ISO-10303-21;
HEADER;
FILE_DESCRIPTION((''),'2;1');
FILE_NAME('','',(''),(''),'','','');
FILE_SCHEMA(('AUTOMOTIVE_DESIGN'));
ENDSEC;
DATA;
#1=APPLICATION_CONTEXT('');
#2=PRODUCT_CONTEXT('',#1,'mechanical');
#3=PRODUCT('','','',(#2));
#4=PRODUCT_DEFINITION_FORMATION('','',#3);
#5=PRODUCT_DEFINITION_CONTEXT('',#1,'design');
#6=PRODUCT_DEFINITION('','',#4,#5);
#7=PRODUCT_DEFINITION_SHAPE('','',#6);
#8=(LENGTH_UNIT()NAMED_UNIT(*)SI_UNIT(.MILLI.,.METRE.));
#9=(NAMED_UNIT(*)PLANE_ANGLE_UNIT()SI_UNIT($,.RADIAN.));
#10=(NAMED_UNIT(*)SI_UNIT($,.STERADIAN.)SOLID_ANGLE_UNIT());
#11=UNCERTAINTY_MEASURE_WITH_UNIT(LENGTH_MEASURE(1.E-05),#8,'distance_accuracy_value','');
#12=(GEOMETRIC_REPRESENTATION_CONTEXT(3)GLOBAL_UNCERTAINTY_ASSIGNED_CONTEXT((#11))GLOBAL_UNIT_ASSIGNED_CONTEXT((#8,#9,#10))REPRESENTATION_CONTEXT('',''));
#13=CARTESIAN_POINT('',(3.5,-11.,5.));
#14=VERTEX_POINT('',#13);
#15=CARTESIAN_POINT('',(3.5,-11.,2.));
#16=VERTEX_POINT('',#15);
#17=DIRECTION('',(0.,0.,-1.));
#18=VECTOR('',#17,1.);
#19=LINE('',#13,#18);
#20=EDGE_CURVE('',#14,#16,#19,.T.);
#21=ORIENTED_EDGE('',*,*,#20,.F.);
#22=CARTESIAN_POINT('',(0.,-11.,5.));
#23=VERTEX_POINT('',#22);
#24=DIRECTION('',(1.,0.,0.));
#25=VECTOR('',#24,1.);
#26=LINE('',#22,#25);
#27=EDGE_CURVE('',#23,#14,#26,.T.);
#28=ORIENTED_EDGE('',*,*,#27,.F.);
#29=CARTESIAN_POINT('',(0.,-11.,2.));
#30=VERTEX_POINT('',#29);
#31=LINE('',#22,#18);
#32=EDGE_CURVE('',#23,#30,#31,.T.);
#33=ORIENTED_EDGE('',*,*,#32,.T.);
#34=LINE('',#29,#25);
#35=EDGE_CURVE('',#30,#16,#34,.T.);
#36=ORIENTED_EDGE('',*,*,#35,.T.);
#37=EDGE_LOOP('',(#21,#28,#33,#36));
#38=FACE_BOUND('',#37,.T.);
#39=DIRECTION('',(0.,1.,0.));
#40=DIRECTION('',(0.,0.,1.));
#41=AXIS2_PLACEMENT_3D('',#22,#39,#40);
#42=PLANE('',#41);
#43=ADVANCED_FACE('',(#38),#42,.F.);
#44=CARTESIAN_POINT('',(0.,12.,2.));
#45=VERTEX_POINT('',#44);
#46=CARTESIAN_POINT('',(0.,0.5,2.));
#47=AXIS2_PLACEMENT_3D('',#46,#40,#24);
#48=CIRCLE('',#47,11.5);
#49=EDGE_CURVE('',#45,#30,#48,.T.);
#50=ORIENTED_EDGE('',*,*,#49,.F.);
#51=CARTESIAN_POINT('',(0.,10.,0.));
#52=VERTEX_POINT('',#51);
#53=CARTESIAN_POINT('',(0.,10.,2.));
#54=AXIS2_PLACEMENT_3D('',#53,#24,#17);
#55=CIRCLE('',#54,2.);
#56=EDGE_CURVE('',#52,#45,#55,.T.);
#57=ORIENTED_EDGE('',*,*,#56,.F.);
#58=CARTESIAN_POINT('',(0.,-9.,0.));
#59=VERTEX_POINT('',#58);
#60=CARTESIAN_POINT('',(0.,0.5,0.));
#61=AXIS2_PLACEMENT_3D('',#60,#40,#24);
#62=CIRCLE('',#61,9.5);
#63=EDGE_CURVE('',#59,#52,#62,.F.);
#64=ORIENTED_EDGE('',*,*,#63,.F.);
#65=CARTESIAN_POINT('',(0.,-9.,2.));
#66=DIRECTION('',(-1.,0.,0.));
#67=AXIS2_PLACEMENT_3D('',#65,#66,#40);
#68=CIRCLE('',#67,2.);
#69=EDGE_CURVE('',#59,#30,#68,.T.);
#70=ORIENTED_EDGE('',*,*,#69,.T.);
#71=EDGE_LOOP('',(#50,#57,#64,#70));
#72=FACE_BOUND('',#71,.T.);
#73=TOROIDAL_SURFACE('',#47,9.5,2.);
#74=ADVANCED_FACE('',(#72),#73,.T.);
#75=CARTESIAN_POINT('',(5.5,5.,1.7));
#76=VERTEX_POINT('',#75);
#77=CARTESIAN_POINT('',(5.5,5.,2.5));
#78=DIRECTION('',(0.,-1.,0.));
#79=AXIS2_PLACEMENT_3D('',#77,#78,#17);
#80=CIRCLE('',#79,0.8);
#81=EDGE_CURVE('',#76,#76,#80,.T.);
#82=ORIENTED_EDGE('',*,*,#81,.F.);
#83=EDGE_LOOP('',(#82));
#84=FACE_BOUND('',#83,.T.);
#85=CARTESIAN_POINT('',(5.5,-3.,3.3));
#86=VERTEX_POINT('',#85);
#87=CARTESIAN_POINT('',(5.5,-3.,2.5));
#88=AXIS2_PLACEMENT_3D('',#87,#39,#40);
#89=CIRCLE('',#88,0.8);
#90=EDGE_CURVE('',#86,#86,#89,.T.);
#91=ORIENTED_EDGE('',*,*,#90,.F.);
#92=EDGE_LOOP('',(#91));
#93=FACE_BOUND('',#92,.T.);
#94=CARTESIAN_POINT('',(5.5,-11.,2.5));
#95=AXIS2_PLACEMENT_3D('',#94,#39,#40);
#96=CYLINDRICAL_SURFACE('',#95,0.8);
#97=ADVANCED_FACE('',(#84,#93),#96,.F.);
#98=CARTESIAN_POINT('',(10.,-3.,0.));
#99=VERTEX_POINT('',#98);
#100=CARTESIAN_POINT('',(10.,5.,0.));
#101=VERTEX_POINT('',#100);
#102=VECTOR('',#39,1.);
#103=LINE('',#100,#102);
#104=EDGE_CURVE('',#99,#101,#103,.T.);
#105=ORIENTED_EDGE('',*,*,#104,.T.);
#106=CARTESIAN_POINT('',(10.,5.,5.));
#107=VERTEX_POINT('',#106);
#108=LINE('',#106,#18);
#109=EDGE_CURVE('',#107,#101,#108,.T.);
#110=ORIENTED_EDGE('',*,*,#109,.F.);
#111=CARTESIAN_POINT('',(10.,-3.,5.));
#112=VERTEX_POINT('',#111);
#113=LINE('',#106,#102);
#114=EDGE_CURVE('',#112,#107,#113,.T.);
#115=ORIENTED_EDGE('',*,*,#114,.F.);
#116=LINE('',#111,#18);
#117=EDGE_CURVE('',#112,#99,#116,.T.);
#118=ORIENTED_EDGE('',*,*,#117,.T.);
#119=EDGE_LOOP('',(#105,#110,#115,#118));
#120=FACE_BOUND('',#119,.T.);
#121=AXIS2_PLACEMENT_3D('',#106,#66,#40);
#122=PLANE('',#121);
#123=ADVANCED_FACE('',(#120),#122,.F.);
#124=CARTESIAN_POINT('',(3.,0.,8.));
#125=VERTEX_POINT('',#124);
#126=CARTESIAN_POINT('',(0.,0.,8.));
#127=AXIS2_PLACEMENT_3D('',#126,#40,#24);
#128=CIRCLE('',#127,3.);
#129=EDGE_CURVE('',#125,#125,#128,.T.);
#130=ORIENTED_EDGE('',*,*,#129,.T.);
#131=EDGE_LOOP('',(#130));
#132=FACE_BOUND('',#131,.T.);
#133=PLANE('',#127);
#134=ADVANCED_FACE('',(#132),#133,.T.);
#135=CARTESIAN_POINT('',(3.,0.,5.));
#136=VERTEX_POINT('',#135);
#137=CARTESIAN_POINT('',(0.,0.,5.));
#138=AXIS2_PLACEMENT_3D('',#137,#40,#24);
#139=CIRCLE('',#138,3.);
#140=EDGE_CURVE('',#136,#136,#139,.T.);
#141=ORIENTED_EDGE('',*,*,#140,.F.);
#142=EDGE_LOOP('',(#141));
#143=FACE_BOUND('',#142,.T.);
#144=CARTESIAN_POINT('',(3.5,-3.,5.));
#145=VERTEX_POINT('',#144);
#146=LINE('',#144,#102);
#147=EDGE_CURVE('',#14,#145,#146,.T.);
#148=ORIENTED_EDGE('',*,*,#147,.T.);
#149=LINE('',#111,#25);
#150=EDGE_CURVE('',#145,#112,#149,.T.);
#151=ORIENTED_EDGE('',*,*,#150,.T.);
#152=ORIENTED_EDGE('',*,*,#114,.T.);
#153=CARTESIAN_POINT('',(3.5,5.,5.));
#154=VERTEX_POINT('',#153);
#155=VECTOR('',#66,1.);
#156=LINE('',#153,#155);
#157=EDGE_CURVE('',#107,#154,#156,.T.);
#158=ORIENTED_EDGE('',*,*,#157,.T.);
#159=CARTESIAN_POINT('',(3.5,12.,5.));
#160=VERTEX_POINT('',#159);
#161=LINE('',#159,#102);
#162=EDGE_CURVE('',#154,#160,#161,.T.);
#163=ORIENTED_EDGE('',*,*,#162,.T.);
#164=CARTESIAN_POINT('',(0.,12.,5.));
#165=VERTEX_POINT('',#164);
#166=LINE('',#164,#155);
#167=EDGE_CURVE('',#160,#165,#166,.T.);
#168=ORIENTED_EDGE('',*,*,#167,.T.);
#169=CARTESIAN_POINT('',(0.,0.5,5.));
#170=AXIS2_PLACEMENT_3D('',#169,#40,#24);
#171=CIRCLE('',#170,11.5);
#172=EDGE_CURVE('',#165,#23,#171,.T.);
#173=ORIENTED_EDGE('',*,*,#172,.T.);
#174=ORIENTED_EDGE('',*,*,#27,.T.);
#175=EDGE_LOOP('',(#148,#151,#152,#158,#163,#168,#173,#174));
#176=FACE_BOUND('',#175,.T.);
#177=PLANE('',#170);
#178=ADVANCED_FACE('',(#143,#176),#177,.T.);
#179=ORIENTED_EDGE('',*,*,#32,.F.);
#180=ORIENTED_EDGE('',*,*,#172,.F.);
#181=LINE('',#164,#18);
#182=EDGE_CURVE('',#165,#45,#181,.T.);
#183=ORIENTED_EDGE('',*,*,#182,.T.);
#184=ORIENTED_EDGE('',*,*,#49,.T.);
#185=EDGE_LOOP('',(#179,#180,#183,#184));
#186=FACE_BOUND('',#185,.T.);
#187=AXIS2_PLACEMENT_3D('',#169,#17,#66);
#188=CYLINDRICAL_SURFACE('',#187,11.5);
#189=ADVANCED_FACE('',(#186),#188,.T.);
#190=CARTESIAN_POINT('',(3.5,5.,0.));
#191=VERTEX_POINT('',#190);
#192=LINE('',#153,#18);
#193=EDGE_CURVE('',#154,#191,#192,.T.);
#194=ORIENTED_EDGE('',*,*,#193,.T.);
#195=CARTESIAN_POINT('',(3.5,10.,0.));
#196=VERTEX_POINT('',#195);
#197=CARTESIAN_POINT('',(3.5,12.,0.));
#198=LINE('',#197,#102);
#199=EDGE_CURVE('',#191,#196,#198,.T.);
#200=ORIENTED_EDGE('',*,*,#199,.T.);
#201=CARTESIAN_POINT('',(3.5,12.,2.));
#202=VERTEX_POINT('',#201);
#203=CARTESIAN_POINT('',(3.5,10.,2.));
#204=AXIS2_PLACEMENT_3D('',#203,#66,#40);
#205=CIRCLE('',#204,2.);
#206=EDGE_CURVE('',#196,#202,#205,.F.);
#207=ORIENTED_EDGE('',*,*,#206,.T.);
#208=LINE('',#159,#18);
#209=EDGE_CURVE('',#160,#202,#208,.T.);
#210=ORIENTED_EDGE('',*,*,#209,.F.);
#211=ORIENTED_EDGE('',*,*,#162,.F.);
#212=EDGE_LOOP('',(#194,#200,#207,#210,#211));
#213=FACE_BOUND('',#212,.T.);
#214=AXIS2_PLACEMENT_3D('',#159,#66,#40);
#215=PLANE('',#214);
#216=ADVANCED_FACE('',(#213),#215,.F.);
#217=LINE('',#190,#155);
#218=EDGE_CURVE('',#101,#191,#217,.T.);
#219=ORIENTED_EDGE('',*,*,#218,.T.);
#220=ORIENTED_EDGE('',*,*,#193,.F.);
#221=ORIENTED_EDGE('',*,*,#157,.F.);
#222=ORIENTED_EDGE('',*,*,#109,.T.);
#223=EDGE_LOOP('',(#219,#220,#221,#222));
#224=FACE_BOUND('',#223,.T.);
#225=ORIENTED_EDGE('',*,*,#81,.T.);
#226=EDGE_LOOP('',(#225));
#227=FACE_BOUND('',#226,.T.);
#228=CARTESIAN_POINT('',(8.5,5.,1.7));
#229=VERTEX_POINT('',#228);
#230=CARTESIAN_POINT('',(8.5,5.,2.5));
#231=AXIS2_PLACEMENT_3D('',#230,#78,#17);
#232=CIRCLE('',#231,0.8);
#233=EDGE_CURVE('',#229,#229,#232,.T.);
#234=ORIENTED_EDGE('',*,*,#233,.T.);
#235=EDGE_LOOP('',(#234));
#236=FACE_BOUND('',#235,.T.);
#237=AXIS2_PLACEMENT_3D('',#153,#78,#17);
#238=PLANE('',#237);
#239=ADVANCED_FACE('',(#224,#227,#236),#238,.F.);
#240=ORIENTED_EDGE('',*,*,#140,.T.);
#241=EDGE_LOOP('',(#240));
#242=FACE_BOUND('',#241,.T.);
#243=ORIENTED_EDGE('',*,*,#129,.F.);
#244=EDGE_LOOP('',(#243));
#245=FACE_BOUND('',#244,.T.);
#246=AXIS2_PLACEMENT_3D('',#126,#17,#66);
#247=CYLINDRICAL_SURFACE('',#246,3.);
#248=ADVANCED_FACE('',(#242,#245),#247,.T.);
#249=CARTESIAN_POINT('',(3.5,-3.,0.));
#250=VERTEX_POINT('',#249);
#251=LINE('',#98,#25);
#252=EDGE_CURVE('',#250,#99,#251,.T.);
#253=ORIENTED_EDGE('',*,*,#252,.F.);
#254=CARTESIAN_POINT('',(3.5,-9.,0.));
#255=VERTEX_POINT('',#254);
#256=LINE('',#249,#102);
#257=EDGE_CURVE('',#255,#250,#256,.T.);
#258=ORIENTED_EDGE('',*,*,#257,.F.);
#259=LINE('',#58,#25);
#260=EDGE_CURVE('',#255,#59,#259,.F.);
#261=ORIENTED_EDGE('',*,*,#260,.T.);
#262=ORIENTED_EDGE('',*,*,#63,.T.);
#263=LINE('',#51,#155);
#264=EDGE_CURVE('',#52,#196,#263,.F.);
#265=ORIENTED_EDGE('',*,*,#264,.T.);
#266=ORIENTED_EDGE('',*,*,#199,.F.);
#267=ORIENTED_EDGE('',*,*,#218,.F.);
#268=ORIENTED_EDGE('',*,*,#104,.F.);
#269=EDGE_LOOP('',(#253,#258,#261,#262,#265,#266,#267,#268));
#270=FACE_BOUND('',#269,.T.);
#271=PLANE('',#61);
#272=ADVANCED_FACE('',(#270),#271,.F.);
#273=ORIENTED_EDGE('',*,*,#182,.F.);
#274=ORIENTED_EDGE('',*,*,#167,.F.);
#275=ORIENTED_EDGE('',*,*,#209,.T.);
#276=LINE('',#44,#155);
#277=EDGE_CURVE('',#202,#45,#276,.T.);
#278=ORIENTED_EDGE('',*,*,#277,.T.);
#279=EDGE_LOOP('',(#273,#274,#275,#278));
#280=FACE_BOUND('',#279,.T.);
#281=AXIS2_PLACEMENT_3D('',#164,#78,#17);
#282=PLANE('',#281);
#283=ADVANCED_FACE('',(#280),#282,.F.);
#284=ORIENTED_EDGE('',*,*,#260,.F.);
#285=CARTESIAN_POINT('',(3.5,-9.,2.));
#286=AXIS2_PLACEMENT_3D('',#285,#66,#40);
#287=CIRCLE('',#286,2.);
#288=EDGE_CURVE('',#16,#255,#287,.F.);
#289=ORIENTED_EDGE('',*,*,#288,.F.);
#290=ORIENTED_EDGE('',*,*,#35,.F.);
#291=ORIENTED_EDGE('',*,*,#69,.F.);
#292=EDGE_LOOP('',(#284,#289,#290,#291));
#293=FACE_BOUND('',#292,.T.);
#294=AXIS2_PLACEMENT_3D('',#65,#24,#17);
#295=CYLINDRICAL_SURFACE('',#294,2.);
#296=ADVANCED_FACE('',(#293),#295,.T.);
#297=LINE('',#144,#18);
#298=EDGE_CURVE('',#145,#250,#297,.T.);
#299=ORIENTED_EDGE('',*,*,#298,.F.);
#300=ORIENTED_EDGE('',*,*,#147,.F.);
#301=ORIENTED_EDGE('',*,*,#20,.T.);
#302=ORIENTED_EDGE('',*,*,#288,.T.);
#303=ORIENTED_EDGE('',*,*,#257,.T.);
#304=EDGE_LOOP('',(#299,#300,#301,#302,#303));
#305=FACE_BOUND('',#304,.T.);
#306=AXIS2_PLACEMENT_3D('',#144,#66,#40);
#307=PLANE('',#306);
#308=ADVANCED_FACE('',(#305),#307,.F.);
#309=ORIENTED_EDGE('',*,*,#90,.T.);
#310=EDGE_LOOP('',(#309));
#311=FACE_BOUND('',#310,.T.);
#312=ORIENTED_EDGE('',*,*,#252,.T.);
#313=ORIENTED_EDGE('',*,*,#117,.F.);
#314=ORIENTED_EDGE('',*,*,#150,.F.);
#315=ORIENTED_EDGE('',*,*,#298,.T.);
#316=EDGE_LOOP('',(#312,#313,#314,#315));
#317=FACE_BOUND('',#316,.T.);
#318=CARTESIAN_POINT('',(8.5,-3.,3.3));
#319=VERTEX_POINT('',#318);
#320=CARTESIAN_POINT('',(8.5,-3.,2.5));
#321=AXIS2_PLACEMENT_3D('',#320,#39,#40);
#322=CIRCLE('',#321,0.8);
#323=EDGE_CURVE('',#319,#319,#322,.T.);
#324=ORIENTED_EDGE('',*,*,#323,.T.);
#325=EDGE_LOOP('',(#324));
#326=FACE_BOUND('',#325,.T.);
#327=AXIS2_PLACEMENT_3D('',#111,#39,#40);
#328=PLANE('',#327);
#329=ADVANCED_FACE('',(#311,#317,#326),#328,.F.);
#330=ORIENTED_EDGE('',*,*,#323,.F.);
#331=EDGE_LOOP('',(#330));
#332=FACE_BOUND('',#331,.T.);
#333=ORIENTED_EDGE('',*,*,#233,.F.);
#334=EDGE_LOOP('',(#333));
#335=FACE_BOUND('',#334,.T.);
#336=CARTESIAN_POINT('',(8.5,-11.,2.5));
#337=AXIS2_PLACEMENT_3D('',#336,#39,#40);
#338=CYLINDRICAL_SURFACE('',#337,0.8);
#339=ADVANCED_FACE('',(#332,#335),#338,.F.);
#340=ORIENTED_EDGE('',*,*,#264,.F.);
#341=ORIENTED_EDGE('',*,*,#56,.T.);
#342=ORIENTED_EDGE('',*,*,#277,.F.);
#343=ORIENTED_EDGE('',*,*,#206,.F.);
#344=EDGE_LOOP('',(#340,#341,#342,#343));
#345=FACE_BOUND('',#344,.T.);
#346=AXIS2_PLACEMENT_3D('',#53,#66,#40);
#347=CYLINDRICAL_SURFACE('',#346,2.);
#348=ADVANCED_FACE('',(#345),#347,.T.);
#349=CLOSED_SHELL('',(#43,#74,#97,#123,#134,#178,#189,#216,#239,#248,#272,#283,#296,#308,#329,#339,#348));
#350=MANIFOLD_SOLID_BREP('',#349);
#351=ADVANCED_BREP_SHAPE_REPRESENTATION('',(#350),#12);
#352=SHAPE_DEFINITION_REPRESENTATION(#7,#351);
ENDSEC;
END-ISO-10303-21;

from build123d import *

# Parameters (mm, degrees)
BOSS_EXTRUDE1_DEPTH = 5
CUT_EXTRUDE1_START  = 11
SKETCH2_R           = 0.8
CUT_EXTRUDE1_DEPTH  = 23
BOSS_EXTRUDE2_START = 5
SKETCH4_R           = 3
BOSS_EXTRUDE2_DEPTH = 3
FILLET1_R           = 2


with BuildPart() as part:
    # Sketch1 → Boss-Extrude1 (new body)
    with BuildSketch(Plane.XY):
        with BuildLine():
            Line((3.5, 12), (3.5, 5))
            Line((3.5, 5), (10, 5))
            Line((10, 5), (10, -3))
            Line((10, -3), (3.5, -3))
            Line((3.5, -3), (3.5, -11))
            Line((3.5, -11), (0, -11))
            ThreePointArc((0, -11), (-11.5, 0.5), (0, 12))
            Line((0, 12), (3.5, 12))
        make_face()
    extrude(amount=BOSS_EXTRUDE1_DEPTH)

    # Sketch2 → Cut-Extrude1 (cut, through all)
    with BuildSketch(Plane(origin=(0, 0, 0), x_dir=(1, 0, 0), z_dir=(0, 1, 0)).offset(CUT_EXTRUDE1_START)):
        with Locations((8.5, -2.5)):
            Circle(SKETCH2_R)
        with Locations((5.5, -2.5)):
            Circle(SKETCH2_R)
    extrude(amount=-CUT_EXTRUDE1_DEPTH, mode=Mode.SUBTRACT)

    # Sketch4 → Boss-Extrude2 (add)
    with BuildSketch(Plane.XY.offset(BOSS_EXTRUDE2_START)):
        Circle(SKETCH4_R)
    extrude(amount=BOSS_EXTRUDE2_DEPTH)

    # Fillet1
    fillet1_edges = [part.edges().sort_by_distance(p)[0] for p in [
        (1.75, -11, 0),
        (-11.5, 0.5, 0),
        (1.75, 12, 0),
    ]]
    fillet(fillet1_edges, radius=FILLET1_R)


solid = part.part
